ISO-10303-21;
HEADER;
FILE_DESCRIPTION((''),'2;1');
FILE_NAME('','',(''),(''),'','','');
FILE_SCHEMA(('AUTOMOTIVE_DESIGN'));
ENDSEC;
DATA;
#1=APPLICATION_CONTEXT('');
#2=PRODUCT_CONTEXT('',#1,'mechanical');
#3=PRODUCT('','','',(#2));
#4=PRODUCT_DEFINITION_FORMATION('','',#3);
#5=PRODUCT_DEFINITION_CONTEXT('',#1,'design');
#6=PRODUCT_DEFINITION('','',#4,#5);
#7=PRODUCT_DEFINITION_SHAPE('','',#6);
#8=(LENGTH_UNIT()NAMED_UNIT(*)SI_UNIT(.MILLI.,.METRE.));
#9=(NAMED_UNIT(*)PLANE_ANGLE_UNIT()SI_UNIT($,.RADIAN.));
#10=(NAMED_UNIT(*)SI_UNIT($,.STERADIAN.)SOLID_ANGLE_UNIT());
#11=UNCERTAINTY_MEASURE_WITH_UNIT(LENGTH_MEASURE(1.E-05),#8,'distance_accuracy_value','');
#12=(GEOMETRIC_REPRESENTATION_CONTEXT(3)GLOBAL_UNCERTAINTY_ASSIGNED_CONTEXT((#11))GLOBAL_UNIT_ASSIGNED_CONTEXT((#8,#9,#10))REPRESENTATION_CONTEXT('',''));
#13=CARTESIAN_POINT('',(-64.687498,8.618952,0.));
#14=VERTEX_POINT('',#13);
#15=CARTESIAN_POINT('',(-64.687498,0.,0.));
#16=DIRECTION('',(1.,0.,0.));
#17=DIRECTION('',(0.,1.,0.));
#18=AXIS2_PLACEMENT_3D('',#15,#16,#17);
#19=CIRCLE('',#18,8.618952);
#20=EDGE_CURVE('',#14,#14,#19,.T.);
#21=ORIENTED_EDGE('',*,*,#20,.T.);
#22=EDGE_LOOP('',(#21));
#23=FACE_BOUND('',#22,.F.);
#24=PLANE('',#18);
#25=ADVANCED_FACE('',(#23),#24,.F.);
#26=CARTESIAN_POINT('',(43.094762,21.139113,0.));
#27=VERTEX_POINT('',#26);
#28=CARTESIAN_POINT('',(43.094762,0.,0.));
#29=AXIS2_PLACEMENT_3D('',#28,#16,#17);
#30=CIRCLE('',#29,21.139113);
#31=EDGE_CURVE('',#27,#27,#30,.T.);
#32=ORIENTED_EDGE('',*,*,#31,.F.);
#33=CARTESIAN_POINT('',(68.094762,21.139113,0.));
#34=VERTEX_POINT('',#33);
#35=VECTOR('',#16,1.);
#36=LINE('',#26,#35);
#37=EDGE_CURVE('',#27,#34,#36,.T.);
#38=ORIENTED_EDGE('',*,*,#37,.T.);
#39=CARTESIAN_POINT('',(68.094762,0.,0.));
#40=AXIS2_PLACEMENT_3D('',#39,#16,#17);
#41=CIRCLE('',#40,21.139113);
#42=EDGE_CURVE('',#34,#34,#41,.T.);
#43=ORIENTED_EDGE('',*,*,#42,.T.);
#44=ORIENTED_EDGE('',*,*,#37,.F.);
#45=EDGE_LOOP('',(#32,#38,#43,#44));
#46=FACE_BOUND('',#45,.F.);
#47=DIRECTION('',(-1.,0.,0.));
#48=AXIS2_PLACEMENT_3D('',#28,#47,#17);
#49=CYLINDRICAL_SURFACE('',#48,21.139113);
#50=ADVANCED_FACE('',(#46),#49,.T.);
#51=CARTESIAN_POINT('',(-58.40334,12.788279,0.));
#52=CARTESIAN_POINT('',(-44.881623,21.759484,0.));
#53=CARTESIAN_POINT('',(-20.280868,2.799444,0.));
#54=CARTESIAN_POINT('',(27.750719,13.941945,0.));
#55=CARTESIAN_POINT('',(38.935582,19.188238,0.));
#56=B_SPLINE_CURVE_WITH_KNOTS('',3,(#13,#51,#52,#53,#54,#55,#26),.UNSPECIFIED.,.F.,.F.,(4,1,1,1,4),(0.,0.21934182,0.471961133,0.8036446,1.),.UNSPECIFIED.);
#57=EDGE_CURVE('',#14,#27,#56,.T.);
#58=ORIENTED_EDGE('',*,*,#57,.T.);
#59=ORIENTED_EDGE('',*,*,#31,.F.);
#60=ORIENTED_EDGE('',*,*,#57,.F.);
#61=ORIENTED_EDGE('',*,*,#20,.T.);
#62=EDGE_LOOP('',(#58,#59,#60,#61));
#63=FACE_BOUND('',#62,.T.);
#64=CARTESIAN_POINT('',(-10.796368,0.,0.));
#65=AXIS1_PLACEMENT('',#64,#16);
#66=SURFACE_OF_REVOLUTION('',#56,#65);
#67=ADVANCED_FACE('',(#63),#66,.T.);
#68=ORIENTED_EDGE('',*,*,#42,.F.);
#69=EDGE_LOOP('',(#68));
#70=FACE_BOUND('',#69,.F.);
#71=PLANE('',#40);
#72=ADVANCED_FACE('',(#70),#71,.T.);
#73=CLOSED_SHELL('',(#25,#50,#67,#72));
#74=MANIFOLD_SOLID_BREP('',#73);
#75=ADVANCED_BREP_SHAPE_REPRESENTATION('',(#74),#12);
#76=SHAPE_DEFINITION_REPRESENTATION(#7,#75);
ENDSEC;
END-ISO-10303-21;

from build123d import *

# Parameters (mm, degrees)
F2_DEPTH = 25


with BuildPart() as f1:
    # F0 (on Top) → F1 (revolve)
    with BuildSketch(Plane.XY):
        with BuildLine():
            add(Edge.make_bspline(
                [(-64.6874979138, 8.6189517751), (-58.4033403613, 12.7882789188), (-44.881622882, 21.7594836098), (-20.2808681058, 2.7994439591), (27.7507191075, 13.9419452432), (38.9355824018, 19.1882380464), (43.0947616696, 21.1391132325)],
                knots=[0, 0, 0, 0, 0.2193418198, 0.4719611331, 0.8036445998, 1, 1, 1, 1], degree=3))
            Line((-64.6874979138, 8.6189517751), (-64.6874979138, 0))
            Line((-64.6874979138, 0), (43.0947616696, 0))
            Line((43.0947616696, 0), (43.0947616696, 21.1391132325))
        make_face()
    revolve(axis=Axis((-10.7963681221, 0, 0), (1, 0, 0)))

    # F2 (add): a face of the model
    f2_faces = [f1.faces().sort_by_distance(p)[0] for p in [
        (43.0947616696, 0, 0),
    ]]
    extrude(f2_faces, amount=F2_DEPTH)


solid = f1.part
